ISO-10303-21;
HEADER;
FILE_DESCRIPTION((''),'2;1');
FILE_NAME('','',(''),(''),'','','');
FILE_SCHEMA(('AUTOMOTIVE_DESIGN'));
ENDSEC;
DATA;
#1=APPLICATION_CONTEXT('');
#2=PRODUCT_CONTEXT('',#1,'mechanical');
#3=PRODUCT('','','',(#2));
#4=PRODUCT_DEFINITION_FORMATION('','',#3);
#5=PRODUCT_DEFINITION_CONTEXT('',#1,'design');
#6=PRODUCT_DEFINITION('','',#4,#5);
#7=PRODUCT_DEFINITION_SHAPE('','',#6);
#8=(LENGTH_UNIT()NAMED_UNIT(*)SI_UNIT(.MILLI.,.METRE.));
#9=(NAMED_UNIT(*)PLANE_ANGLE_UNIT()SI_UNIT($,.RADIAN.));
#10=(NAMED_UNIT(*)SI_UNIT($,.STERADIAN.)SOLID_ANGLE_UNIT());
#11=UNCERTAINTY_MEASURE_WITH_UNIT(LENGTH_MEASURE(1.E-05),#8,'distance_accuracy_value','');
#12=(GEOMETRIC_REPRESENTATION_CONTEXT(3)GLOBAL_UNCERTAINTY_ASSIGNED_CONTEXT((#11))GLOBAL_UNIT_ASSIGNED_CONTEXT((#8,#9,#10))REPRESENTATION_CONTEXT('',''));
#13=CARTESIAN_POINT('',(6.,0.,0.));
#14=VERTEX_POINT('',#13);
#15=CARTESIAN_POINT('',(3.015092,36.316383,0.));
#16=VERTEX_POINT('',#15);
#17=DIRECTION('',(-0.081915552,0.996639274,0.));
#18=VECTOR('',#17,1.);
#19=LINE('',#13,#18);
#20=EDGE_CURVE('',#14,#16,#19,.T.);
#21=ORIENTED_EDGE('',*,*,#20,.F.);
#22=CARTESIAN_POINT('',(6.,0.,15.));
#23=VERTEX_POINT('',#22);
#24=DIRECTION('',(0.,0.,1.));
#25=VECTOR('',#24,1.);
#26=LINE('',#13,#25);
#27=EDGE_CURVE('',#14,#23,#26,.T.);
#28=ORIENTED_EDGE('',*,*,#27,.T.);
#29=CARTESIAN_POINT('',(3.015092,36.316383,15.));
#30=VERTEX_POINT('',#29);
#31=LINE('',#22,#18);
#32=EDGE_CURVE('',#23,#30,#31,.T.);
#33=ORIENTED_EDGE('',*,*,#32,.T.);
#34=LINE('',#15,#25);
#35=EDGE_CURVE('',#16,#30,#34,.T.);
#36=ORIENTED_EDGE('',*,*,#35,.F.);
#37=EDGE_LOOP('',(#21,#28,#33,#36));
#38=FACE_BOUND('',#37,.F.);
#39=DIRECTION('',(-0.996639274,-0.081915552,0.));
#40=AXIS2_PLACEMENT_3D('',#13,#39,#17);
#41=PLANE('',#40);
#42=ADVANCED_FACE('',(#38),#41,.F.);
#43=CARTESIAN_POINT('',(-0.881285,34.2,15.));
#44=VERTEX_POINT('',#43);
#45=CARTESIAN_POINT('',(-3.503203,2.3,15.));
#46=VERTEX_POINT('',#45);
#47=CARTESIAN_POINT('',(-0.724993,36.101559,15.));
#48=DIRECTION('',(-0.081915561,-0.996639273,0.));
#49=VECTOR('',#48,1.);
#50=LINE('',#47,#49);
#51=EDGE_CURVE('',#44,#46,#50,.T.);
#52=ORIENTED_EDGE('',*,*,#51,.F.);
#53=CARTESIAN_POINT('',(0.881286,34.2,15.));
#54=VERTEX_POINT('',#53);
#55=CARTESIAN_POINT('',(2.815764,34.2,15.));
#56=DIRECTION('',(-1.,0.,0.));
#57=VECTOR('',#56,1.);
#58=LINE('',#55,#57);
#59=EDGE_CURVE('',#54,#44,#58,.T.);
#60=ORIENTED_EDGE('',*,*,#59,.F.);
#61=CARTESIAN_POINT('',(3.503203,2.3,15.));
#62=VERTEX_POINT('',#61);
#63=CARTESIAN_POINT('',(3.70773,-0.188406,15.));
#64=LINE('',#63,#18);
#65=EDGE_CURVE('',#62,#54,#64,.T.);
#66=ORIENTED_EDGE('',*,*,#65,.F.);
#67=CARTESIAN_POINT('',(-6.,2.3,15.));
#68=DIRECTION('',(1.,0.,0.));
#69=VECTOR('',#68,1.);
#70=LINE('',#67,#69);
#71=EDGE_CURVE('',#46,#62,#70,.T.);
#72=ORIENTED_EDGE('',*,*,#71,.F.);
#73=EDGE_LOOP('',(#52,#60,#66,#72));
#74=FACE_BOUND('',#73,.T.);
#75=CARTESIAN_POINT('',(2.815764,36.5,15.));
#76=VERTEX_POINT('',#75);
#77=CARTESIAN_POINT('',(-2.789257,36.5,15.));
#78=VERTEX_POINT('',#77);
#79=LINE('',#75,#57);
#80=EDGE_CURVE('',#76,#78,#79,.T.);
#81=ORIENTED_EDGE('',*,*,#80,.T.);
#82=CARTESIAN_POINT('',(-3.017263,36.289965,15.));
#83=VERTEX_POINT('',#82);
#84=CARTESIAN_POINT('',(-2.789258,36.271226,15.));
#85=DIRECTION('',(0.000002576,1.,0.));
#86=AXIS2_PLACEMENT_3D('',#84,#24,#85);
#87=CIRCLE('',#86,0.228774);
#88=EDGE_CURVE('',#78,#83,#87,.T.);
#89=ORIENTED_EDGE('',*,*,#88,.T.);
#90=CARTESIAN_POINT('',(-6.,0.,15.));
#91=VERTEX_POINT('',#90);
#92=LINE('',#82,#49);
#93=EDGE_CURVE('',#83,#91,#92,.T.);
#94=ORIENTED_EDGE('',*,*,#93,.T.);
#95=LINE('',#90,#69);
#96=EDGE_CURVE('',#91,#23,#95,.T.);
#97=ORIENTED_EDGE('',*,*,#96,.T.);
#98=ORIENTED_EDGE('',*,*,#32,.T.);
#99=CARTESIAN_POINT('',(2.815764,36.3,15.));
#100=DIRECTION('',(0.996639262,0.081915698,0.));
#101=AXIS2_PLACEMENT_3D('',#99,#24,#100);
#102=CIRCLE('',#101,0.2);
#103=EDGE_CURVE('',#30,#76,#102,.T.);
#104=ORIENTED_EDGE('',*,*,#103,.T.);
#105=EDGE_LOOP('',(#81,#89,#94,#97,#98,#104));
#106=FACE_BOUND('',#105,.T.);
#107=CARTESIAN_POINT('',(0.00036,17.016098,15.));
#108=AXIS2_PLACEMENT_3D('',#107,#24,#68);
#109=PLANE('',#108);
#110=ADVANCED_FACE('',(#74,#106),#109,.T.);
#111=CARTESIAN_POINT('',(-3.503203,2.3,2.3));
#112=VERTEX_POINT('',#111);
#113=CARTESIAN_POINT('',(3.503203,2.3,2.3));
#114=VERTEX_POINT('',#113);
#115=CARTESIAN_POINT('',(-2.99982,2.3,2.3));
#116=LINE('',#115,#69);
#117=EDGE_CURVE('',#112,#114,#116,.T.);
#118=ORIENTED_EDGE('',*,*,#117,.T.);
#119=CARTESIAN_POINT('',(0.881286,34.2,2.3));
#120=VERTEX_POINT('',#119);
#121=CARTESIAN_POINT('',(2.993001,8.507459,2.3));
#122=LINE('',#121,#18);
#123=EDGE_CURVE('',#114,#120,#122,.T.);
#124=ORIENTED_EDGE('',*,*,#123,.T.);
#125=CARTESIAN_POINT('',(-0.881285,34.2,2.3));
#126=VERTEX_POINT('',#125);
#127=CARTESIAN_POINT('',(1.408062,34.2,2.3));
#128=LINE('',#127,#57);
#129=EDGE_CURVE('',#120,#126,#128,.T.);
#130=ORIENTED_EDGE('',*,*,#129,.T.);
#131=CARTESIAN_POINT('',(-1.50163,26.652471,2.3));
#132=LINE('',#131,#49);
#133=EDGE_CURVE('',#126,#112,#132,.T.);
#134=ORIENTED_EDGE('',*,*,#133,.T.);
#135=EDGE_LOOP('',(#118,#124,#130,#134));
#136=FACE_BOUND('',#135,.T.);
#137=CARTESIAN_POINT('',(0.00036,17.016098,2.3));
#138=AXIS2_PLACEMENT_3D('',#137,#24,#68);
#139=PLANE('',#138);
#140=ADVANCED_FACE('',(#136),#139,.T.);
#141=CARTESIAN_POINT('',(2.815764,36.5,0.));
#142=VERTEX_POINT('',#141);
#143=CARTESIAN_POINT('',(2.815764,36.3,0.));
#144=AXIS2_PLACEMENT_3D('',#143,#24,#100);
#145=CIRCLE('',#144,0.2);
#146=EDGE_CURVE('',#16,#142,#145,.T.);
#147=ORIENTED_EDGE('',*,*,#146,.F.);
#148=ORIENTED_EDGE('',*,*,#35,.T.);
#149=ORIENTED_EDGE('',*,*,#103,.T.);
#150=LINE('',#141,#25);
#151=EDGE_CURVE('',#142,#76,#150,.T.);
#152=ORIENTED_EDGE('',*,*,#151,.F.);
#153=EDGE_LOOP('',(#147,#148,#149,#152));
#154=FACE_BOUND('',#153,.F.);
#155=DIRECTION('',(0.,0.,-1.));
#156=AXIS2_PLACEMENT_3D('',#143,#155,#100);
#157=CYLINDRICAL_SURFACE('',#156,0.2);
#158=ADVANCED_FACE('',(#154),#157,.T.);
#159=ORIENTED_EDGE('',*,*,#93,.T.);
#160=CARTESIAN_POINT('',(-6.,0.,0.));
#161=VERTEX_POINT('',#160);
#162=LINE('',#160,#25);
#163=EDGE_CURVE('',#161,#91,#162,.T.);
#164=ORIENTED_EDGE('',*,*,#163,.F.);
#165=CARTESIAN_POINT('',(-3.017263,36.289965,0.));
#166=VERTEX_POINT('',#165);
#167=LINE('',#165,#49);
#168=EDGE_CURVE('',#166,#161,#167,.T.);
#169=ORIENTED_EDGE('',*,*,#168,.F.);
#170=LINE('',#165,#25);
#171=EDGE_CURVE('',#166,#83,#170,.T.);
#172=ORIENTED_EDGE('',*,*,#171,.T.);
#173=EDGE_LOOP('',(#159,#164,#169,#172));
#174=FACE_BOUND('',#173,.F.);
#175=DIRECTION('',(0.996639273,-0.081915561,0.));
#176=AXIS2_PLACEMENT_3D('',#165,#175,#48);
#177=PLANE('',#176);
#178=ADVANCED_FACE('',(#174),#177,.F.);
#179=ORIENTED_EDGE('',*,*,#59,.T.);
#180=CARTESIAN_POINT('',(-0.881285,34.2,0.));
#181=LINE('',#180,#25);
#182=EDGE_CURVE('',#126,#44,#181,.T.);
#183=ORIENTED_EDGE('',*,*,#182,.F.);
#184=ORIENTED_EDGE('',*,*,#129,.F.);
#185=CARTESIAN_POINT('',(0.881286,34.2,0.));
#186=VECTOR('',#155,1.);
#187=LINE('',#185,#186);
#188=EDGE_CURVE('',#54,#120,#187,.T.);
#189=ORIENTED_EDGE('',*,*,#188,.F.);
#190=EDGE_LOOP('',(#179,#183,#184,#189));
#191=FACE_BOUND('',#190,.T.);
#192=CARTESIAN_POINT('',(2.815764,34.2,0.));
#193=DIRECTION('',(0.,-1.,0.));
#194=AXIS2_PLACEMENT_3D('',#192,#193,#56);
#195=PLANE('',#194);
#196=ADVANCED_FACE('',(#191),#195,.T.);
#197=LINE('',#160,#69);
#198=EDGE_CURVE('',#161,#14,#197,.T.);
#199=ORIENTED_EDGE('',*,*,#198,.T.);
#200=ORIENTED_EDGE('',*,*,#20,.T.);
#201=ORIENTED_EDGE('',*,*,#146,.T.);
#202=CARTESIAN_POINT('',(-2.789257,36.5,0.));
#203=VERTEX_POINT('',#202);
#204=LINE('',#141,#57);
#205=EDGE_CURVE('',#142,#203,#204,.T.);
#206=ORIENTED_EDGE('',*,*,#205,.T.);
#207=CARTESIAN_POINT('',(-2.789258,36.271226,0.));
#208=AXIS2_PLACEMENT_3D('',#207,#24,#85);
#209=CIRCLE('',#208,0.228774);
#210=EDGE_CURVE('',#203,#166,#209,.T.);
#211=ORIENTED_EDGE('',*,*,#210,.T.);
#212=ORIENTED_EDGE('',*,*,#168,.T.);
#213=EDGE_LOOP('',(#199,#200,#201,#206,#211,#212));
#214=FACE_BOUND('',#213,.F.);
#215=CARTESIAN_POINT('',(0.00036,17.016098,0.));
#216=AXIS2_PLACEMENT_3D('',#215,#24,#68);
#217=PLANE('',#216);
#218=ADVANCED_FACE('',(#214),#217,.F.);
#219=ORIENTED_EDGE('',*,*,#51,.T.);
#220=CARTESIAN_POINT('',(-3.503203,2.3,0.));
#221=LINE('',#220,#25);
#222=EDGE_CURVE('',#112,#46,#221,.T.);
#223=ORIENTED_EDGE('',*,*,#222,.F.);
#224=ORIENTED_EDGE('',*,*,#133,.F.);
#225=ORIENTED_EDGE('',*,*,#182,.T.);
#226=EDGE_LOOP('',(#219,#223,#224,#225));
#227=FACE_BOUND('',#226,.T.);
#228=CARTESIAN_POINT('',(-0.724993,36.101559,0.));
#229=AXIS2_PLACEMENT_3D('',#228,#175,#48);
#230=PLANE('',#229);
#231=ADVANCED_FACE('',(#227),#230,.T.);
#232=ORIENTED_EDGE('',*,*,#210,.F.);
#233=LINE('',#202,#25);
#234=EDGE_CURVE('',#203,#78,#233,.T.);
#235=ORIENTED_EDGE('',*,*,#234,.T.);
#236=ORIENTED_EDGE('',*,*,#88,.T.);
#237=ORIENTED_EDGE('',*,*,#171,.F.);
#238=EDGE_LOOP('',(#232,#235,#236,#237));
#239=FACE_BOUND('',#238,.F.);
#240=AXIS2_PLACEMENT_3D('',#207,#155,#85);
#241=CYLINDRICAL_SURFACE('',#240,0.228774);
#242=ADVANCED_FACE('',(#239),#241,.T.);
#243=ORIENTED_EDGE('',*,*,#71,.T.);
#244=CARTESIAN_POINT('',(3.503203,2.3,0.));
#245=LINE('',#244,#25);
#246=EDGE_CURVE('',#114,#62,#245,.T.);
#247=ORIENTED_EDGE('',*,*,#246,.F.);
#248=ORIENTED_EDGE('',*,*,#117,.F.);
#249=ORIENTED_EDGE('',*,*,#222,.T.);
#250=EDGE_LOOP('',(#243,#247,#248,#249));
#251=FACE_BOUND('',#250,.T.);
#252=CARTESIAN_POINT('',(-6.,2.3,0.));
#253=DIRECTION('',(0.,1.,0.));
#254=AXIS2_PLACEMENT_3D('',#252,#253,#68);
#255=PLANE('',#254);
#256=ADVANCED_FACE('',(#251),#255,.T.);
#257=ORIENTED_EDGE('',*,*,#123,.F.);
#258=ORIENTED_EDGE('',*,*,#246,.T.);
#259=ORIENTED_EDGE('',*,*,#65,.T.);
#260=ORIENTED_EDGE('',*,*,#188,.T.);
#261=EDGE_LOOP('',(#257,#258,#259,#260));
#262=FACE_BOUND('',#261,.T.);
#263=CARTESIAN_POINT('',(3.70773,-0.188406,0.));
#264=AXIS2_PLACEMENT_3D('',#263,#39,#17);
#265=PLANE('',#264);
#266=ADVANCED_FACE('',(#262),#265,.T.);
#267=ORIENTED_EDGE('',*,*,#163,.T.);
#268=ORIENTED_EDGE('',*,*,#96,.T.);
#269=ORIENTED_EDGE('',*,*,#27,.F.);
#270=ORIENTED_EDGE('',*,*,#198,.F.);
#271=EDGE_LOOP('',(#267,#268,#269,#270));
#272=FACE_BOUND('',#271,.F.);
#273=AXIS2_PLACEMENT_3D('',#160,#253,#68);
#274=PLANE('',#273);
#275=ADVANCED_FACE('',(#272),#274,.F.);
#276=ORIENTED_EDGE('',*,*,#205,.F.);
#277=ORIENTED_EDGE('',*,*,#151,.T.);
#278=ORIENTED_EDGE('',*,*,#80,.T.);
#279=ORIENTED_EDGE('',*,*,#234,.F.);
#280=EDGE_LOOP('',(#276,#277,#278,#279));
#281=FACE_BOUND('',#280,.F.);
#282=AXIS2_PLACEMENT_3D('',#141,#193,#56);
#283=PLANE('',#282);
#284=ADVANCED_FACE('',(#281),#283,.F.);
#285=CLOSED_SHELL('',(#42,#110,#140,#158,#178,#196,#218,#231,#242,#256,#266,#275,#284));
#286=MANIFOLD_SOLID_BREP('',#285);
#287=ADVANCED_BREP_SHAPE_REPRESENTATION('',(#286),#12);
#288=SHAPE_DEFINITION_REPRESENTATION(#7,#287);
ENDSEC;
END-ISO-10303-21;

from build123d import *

# Parameters (mm, degrees)
F1_DEPTH = 15
F2_T     = -2.3


with BuildPart() as f1:
    # F0 (on Top) → F1 (new body)
    with BuildSketch(Plane.XY):
        with BuildLine():
            Line((2.815764, 36.5), (0, 36.5))
            Line((0, 36.5), (-2.789257, 36.5))
            ThreePointArc((-2.789257, 36.5), (-2.944258, 36.439489), (-3.017263, 36.289965))
            Line((-3.017263, 36.289965), (-6, 0))
            Line((-6, 0), (0, 0))
            Line((0, 0), (6, 0))
            Line((6, 0), (3.015092, 36.316383))
            ThreePointArc((3.015092, 36.316383), (2.951269, 36.4471), (2.815764, 36.5))
        make_face()
    extrude(amount=F1_DEPTH)

    # F2
    f2_openings = [f1.faces().sort_by_distance(p)[0] for p in [
        (2e-05, 16.221217, 15),
    ]]
    offset(amount=F2_T, openings=f2_openings)


solid = f1.part
